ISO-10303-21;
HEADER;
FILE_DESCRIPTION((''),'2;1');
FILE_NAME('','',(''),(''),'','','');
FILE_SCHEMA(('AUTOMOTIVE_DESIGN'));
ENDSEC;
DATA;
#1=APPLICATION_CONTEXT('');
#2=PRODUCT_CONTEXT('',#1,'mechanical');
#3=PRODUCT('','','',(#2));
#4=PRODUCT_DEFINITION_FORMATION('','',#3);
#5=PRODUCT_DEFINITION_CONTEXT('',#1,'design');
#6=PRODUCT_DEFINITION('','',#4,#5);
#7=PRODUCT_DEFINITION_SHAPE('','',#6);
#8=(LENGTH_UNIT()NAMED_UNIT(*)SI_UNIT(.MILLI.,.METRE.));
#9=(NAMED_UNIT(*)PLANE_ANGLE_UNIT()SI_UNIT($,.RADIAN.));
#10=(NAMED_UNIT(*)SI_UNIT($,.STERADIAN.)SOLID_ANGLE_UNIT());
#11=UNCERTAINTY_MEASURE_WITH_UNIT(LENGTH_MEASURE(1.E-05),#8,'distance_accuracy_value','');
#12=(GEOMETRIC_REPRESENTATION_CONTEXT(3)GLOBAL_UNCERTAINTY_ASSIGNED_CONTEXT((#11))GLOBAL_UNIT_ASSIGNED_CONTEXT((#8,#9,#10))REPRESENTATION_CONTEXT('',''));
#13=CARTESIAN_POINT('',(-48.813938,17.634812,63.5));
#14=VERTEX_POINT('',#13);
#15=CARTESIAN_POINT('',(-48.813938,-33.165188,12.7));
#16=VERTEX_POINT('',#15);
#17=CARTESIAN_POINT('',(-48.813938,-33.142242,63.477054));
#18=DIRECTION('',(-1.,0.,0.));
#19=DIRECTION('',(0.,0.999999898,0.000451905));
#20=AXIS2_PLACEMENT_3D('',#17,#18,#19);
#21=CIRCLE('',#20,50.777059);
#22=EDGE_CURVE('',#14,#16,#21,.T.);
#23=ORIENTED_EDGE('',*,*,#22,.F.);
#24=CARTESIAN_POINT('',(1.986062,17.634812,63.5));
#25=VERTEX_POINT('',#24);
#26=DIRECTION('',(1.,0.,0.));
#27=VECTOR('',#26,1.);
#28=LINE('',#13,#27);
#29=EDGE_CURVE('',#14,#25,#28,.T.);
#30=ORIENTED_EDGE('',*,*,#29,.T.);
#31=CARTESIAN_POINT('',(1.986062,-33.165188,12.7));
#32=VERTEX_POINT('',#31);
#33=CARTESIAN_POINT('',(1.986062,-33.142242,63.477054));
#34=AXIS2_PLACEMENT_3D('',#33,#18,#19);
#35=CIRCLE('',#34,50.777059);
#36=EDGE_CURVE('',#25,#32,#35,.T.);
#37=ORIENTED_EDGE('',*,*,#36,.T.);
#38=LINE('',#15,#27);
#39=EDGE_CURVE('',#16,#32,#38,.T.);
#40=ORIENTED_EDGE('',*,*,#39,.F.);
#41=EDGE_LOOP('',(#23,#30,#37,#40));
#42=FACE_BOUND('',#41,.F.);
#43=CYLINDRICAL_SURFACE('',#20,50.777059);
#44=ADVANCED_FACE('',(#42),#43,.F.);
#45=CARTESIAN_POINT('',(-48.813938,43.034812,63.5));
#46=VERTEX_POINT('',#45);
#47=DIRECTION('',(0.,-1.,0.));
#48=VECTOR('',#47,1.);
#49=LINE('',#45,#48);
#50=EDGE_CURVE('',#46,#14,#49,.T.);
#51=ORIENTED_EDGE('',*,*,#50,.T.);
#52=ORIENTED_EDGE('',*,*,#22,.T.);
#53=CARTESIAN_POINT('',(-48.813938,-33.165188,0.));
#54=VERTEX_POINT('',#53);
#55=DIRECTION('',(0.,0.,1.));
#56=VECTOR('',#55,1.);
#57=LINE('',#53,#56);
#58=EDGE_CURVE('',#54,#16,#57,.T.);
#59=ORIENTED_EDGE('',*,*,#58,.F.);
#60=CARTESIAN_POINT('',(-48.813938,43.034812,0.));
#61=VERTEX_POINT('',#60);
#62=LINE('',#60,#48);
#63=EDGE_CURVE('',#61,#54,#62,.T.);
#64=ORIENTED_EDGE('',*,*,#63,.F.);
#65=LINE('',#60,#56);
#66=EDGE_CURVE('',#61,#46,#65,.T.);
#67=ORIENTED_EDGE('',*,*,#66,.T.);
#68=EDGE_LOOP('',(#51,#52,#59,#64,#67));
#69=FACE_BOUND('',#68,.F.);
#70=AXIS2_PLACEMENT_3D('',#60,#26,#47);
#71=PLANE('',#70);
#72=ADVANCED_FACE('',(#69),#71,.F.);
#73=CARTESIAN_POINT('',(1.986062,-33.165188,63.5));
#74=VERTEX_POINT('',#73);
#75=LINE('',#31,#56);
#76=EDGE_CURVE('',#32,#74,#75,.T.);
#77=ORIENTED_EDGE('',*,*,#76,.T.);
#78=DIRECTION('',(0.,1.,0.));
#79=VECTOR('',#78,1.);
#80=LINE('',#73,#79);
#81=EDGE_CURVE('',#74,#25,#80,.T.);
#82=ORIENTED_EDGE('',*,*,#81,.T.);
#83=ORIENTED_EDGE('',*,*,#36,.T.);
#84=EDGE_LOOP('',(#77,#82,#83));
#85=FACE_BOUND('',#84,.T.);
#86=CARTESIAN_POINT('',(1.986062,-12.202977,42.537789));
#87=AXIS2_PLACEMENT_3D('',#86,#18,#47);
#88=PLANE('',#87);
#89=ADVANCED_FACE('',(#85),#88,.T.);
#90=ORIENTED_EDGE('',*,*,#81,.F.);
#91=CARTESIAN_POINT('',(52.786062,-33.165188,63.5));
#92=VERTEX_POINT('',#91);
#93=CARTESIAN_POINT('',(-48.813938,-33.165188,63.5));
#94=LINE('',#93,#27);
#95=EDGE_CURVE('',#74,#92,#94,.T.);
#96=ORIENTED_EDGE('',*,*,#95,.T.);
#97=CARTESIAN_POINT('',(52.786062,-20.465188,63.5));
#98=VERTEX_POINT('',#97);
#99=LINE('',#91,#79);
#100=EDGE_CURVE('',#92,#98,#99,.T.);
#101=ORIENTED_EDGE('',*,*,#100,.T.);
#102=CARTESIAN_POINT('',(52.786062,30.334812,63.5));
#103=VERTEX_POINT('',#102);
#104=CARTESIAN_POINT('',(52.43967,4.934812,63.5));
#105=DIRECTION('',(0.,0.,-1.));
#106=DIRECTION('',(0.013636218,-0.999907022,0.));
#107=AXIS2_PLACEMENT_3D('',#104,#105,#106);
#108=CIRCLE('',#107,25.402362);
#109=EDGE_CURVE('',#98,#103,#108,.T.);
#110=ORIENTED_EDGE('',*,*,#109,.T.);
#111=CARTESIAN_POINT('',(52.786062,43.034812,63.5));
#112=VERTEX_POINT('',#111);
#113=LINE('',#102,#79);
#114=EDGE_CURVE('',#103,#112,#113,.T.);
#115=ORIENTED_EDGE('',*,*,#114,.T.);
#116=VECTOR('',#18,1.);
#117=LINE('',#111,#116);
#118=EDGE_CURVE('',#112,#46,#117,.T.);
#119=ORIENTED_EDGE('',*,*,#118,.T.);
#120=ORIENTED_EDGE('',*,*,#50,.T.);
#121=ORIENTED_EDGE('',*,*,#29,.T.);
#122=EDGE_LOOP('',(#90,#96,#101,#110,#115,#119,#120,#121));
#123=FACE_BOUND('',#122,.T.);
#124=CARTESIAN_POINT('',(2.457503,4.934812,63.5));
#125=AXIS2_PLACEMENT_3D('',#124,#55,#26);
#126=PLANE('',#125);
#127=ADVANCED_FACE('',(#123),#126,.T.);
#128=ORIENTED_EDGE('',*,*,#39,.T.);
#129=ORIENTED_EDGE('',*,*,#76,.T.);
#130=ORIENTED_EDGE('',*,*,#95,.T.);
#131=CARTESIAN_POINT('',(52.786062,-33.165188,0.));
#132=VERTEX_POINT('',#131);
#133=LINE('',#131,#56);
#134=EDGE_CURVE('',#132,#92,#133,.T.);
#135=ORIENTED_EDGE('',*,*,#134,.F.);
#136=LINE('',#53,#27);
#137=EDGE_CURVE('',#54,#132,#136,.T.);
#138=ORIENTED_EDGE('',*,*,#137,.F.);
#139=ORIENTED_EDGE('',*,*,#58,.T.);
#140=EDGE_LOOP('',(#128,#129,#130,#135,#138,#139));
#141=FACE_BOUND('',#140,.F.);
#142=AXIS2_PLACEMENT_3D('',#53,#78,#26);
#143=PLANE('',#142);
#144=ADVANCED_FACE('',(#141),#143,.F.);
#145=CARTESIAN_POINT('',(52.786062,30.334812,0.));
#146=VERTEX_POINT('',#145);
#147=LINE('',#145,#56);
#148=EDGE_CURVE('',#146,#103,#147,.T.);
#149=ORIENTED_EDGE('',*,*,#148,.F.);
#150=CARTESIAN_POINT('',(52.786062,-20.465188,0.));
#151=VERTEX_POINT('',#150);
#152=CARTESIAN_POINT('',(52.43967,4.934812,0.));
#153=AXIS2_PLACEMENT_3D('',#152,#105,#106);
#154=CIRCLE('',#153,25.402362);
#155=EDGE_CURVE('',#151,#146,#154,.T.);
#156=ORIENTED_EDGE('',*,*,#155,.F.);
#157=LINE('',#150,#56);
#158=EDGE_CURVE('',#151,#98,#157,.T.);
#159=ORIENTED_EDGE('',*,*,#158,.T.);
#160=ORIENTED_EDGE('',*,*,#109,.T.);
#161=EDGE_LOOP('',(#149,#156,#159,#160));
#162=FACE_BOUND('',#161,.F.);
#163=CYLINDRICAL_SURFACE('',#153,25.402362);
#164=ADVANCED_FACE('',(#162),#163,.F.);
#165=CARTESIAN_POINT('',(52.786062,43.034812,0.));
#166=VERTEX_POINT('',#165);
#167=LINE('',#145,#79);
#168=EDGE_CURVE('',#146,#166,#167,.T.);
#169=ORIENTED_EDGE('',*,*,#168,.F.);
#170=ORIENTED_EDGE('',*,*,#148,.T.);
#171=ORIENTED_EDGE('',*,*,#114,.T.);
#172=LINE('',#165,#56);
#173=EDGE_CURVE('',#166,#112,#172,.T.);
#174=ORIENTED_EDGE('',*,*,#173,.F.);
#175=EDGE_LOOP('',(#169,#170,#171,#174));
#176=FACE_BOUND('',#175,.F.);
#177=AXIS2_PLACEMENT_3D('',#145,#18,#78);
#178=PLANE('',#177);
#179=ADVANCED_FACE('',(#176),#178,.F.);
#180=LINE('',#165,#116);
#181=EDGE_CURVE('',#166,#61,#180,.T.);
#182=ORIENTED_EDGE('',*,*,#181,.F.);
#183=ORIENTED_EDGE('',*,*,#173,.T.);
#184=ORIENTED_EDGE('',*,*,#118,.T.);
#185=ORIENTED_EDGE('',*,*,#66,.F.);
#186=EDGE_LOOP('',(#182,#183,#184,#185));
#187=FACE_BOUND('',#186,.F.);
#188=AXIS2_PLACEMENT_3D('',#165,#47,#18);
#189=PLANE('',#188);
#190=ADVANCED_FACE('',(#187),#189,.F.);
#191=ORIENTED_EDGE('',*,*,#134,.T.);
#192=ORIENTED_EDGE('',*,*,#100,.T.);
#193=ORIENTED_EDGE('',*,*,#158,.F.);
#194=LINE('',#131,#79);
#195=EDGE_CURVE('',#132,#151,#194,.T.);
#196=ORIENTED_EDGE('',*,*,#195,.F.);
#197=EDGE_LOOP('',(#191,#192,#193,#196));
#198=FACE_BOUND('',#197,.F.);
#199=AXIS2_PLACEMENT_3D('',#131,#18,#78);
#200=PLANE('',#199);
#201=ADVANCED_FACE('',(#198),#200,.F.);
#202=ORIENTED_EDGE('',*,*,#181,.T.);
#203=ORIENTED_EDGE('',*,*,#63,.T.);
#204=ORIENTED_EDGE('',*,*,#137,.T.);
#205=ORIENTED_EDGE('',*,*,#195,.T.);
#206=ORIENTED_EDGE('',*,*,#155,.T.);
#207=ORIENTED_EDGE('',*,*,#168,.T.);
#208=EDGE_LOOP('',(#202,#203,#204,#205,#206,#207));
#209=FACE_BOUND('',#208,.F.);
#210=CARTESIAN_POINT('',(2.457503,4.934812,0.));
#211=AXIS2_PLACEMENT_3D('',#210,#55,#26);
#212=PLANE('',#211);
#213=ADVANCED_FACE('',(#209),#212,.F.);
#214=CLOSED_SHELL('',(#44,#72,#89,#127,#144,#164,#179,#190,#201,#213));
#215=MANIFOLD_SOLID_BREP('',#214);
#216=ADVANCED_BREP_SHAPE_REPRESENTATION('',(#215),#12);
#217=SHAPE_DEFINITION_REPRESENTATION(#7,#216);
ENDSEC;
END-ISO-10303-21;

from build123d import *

# Parameters (mm, degrees)
F1_DEPTH = 63.5
F3_DEPTH = 50.8


with BuildPart() as f1:
    # F0 (on Top) → F1 (new body)
    with BuildSketch(Plane.XY):
        with BuildLine():
            Line((52.786062, 43.034812), (-48.813938, 43.034812))
            Line((-48.813938, 43.034812), (-48.813938, -33.165188))
            Line((-48.813938, -33.165188), (52.786062, -33.165188))
            Line((52.786062, -33.165188), (52.786062, -20.465188))
            ThreePointArc((52.786062, -20.465188), (27.037308, 4.934812), (52.786062, 30.334812))
            Line((52.786062, 30.334812), (52.786062, 43.034812))
        make_face()
    extrude(amount=F1_DEPTH)

    # F2 (on face) → F3 (cut)
    with BuildSketch(Plane(origin=(-48.813938, 0, 0), x_dir=(0, -1, 0), z_dir=(-1, 0, 0))):
        with BuildLine():
            Line((33.165188, 63.5), (-17.634812, 63.5))
            ThreePointArc((-17.634812, 63.5), (-2.762561, 27.572251), (33.165188, 12.7))
            Line((33.165188, 12.7), (33.165188, 63.5))
        make_face()
    extrude(amount=-F3_DEPTH, mode=Mode.SUBTRACT)


solid = f1.part
